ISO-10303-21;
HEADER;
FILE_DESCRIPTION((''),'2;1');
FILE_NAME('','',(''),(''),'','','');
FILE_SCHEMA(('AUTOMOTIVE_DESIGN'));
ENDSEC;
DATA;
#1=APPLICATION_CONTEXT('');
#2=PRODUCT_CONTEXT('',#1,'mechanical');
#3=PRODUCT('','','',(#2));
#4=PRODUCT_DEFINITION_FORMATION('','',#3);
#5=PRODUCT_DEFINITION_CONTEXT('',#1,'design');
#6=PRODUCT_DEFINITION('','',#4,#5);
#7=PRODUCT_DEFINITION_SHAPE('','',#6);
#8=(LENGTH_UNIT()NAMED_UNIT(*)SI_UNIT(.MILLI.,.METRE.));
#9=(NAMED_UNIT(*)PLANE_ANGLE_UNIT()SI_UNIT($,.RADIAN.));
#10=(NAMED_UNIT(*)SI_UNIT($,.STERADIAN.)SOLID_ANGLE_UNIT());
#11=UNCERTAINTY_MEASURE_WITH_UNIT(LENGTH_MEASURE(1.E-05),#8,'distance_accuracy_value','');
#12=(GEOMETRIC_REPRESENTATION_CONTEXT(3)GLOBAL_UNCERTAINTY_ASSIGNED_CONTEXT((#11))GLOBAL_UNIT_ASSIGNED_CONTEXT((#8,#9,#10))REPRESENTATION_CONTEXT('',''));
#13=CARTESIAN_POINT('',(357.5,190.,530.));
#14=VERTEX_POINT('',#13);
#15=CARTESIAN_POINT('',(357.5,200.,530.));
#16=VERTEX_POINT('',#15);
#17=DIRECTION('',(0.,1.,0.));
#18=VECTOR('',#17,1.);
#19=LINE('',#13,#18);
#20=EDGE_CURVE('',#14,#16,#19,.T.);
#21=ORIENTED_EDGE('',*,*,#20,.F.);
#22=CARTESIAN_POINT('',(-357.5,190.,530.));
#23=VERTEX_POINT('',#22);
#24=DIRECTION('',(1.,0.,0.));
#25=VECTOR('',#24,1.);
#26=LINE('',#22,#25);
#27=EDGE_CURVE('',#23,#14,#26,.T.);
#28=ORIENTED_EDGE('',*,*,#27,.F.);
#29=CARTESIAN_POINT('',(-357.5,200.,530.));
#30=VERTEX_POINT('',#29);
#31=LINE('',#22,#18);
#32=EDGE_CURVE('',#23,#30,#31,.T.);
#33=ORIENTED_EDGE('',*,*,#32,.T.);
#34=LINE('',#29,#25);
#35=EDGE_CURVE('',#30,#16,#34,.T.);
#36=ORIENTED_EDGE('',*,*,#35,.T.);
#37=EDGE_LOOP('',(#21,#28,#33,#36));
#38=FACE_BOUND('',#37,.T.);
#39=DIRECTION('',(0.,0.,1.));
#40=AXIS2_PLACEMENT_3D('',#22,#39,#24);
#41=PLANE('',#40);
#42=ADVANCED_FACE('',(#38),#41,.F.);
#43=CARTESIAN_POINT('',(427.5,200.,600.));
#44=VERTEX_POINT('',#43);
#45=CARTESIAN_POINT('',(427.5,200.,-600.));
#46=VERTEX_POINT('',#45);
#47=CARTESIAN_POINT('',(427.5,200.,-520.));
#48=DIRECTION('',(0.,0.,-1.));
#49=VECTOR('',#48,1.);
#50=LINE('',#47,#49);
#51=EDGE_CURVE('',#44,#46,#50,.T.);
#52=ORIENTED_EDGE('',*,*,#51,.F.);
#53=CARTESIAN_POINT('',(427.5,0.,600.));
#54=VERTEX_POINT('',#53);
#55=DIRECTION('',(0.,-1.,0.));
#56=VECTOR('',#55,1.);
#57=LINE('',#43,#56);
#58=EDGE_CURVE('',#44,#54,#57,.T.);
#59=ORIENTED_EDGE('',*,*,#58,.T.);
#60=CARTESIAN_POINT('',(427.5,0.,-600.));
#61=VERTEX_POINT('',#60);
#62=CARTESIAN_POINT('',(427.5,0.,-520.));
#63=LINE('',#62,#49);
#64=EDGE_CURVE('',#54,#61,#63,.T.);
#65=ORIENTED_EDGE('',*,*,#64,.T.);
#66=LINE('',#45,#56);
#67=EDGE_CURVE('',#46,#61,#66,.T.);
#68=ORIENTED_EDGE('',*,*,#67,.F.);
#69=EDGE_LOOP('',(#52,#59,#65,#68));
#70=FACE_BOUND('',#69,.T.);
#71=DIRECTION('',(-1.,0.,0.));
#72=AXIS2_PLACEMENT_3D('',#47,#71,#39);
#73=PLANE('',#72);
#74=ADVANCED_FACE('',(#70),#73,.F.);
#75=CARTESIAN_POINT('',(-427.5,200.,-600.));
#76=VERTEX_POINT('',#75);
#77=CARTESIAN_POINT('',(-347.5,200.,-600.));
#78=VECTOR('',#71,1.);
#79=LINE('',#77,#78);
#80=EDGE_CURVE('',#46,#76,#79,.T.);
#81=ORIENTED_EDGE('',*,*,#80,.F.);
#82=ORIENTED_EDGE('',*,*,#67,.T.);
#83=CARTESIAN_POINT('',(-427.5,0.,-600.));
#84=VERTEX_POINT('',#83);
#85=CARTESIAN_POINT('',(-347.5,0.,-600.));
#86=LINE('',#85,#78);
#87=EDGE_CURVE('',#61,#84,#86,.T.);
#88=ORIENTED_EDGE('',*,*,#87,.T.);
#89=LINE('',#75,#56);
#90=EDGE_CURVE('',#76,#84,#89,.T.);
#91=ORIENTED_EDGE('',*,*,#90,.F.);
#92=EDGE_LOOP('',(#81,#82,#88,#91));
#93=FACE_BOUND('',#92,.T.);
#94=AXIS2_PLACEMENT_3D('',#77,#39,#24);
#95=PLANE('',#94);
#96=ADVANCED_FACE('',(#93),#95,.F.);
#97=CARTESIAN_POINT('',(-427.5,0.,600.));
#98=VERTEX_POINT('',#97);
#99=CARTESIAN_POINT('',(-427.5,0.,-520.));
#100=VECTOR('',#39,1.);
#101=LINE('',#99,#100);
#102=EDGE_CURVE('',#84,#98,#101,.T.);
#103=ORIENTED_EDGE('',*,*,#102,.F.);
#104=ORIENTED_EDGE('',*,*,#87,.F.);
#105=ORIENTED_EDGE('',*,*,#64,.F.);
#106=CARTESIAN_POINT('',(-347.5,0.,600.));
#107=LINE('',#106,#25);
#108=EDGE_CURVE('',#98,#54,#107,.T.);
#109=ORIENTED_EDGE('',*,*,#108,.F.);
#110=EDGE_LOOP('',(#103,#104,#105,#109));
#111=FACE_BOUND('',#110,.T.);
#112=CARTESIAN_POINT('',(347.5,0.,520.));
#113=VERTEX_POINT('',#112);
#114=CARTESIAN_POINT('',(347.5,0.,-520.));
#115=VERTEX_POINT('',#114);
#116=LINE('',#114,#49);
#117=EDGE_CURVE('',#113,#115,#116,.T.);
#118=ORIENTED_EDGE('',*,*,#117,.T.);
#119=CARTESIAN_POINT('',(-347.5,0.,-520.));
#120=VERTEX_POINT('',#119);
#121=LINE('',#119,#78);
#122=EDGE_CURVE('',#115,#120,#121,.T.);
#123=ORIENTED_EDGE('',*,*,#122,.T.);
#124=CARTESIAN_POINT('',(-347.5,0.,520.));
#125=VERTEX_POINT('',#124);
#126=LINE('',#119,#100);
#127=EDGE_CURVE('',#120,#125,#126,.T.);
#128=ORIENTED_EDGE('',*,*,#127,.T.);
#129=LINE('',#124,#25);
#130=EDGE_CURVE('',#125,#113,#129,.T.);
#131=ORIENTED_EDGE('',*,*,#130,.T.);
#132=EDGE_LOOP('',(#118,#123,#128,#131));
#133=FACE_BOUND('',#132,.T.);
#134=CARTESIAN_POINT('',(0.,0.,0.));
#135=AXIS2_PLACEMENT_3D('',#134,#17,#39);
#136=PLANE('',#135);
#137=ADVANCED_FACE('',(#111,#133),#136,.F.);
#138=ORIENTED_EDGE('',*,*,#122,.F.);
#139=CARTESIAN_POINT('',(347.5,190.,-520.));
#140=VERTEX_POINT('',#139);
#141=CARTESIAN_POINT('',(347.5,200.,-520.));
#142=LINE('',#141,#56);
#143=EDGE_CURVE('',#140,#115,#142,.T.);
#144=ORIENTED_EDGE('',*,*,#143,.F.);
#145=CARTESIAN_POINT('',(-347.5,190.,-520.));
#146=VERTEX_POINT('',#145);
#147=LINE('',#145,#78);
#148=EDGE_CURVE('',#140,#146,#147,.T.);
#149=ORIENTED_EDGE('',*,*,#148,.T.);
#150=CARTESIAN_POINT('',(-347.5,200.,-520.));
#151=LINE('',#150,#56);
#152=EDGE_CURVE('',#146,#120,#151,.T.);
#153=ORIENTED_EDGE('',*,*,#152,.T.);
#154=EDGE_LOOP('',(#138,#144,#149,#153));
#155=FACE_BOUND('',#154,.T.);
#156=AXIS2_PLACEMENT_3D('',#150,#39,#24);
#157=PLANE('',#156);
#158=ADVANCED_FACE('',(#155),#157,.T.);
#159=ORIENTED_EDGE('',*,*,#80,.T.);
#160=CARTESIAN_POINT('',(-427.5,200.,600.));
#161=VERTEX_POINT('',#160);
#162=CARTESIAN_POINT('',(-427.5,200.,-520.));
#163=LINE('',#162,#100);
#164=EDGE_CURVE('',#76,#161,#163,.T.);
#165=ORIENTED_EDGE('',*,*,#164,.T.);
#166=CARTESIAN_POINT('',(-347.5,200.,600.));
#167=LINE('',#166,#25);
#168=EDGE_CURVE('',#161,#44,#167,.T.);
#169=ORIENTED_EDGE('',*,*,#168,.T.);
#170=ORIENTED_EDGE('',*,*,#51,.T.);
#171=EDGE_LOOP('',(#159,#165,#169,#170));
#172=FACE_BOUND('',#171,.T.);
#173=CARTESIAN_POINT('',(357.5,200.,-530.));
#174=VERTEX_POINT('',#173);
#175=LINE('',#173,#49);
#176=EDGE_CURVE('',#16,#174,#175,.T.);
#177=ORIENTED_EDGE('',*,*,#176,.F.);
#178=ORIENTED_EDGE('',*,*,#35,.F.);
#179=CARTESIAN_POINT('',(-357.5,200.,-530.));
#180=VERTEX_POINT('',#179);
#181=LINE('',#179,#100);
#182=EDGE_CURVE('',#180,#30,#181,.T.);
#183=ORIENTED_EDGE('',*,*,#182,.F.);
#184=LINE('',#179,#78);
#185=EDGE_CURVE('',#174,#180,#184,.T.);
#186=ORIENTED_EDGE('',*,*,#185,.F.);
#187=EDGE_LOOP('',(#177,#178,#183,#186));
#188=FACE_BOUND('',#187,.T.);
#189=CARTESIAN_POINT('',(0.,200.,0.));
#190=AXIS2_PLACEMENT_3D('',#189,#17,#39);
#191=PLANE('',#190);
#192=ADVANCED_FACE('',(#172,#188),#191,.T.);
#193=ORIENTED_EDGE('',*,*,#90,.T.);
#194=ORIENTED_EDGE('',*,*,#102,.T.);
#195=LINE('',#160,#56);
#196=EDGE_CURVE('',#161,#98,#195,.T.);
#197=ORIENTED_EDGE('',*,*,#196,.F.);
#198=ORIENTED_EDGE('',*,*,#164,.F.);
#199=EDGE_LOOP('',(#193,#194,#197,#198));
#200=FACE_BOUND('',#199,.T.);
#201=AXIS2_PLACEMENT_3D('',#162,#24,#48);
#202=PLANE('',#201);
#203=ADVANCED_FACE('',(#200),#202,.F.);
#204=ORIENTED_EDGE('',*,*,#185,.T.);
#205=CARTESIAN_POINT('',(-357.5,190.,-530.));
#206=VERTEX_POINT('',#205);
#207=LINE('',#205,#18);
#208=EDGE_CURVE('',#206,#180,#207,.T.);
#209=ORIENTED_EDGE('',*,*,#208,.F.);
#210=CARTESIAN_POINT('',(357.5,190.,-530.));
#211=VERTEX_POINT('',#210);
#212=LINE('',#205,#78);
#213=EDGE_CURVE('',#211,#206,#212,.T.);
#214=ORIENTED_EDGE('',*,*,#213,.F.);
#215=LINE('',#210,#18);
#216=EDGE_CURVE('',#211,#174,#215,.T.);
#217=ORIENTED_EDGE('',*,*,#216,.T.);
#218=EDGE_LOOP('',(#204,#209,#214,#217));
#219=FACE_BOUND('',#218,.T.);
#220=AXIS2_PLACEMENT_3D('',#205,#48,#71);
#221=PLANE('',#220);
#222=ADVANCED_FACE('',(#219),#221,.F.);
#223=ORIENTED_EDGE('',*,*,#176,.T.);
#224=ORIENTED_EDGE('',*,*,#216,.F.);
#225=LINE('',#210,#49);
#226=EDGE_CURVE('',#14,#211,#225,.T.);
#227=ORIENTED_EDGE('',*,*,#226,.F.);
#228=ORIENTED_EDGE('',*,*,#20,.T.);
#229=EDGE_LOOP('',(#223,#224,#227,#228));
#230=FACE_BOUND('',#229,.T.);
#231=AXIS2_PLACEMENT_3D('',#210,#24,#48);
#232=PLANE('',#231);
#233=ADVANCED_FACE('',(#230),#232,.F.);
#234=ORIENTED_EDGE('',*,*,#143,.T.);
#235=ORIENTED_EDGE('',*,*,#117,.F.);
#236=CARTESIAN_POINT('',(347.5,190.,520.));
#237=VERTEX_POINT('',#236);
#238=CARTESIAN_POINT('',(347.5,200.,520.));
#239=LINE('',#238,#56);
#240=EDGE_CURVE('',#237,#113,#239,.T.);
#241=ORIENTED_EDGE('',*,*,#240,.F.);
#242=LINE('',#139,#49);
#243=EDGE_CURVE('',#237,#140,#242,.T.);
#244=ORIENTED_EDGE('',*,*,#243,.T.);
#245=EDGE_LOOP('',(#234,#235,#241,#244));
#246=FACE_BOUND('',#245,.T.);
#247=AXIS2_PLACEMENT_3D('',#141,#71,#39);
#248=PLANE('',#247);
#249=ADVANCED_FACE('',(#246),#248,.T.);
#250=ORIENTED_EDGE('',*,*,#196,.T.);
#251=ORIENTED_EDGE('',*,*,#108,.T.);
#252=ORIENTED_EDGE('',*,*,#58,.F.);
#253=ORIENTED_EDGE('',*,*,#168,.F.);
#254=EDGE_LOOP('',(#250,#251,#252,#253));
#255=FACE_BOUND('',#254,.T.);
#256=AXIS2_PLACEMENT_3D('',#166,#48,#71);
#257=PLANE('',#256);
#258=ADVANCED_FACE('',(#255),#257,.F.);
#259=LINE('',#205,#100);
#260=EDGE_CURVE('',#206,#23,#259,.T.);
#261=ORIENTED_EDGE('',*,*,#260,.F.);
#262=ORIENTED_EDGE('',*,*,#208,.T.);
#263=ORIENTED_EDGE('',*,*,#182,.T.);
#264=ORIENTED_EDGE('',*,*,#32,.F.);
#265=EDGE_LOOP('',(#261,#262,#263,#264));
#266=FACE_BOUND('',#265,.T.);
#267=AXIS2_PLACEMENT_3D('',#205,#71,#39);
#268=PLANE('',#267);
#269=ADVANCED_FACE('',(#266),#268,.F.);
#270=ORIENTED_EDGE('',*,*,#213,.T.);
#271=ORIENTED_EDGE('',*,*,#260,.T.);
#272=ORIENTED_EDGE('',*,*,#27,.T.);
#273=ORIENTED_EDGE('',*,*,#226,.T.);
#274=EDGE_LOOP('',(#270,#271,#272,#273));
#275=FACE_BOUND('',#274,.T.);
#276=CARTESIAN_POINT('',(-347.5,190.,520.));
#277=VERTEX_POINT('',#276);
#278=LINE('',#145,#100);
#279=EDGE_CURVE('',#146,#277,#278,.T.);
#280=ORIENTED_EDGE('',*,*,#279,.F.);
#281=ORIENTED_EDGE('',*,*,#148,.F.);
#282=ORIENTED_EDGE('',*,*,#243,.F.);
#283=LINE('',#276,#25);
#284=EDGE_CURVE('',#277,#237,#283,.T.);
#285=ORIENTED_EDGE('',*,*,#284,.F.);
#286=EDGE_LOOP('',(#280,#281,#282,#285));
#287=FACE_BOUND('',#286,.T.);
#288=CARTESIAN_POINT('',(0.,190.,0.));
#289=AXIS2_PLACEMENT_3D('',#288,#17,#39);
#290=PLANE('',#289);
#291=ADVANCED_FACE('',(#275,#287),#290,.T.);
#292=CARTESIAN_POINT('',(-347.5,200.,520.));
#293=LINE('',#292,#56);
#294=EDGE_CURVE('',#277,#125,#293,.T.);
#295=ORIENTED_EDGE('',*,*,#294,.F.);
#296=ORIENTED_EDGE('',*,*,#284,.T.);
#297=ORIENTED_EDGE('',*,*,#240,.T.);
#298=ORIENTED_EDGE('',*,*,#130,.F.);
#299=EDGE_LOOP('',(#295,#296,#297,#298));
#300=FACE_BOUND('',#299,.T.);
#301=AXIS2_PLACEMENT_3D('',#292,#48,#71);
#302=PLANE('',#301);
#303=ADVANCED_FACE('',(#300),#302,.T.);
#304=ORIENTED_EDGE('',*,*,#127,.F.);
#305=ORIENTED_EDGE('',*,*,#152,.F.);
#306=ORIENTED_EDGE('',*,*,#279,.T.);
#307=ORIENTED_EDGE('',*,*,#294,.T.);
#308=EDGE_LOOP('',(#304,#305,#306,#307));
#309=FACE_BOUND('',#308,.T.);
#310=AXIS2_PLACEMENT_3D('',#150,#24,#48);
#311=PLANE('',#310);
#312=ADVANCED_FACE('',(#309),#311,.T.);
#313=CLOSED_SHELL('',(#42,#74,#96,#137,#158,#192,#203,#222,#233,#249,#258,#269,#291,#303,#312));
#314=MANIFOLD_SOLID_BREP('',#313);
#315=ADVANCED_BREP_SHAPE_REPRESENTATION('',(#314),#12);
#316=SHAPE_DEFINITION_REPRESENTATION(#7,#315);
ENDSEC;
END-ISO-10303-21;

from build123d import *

# Parameters (mm, degrees)
SKETCH_1_W          = 855
SKETCH_1_H          = 1200
SKETCH_1_W_2        = 695
SKETCH_1_H_2        = 1040
EXTRUDE_1_DEPTH     = 200
SKETCH_2_W          = 715
SKETCH_2_H          = 1060
CUT_EXTRUDE_1_DEPTH = 10


with BuildPart() as part:
    # Эскиз1 → Вытянуть-Тонкостенный1 (new body)
    with BuildSketch(Plane(origin=(0, 0, 0), x_dir=(1, 0, 0), z_dir=(0, 1, 0))):
        Rectangle(SKETCH_1_W, SKETCH_1_H)
        Rectangle(SKETCH_1_W_2, SKETCH_1_H_2, mode=Mode.SUBTRACT)
    extrude(amount=EXTRUDE_1_DEPTH)

    # Эскиз2 → Вырез-Вытянуть1 (cut)
    with BuildSketch(Plane(origin=(0, 200, 0), x_dir=(1, 0, 0), z_dir=(0, 1, 0))):
        Rectangle(SKETCH_2_W, SKETCH_2_H)
    extrude(amount=-CUT_EXTRUDE_1_DEPTH, mode=Mode.SUBTRACT)


solid = part.part
